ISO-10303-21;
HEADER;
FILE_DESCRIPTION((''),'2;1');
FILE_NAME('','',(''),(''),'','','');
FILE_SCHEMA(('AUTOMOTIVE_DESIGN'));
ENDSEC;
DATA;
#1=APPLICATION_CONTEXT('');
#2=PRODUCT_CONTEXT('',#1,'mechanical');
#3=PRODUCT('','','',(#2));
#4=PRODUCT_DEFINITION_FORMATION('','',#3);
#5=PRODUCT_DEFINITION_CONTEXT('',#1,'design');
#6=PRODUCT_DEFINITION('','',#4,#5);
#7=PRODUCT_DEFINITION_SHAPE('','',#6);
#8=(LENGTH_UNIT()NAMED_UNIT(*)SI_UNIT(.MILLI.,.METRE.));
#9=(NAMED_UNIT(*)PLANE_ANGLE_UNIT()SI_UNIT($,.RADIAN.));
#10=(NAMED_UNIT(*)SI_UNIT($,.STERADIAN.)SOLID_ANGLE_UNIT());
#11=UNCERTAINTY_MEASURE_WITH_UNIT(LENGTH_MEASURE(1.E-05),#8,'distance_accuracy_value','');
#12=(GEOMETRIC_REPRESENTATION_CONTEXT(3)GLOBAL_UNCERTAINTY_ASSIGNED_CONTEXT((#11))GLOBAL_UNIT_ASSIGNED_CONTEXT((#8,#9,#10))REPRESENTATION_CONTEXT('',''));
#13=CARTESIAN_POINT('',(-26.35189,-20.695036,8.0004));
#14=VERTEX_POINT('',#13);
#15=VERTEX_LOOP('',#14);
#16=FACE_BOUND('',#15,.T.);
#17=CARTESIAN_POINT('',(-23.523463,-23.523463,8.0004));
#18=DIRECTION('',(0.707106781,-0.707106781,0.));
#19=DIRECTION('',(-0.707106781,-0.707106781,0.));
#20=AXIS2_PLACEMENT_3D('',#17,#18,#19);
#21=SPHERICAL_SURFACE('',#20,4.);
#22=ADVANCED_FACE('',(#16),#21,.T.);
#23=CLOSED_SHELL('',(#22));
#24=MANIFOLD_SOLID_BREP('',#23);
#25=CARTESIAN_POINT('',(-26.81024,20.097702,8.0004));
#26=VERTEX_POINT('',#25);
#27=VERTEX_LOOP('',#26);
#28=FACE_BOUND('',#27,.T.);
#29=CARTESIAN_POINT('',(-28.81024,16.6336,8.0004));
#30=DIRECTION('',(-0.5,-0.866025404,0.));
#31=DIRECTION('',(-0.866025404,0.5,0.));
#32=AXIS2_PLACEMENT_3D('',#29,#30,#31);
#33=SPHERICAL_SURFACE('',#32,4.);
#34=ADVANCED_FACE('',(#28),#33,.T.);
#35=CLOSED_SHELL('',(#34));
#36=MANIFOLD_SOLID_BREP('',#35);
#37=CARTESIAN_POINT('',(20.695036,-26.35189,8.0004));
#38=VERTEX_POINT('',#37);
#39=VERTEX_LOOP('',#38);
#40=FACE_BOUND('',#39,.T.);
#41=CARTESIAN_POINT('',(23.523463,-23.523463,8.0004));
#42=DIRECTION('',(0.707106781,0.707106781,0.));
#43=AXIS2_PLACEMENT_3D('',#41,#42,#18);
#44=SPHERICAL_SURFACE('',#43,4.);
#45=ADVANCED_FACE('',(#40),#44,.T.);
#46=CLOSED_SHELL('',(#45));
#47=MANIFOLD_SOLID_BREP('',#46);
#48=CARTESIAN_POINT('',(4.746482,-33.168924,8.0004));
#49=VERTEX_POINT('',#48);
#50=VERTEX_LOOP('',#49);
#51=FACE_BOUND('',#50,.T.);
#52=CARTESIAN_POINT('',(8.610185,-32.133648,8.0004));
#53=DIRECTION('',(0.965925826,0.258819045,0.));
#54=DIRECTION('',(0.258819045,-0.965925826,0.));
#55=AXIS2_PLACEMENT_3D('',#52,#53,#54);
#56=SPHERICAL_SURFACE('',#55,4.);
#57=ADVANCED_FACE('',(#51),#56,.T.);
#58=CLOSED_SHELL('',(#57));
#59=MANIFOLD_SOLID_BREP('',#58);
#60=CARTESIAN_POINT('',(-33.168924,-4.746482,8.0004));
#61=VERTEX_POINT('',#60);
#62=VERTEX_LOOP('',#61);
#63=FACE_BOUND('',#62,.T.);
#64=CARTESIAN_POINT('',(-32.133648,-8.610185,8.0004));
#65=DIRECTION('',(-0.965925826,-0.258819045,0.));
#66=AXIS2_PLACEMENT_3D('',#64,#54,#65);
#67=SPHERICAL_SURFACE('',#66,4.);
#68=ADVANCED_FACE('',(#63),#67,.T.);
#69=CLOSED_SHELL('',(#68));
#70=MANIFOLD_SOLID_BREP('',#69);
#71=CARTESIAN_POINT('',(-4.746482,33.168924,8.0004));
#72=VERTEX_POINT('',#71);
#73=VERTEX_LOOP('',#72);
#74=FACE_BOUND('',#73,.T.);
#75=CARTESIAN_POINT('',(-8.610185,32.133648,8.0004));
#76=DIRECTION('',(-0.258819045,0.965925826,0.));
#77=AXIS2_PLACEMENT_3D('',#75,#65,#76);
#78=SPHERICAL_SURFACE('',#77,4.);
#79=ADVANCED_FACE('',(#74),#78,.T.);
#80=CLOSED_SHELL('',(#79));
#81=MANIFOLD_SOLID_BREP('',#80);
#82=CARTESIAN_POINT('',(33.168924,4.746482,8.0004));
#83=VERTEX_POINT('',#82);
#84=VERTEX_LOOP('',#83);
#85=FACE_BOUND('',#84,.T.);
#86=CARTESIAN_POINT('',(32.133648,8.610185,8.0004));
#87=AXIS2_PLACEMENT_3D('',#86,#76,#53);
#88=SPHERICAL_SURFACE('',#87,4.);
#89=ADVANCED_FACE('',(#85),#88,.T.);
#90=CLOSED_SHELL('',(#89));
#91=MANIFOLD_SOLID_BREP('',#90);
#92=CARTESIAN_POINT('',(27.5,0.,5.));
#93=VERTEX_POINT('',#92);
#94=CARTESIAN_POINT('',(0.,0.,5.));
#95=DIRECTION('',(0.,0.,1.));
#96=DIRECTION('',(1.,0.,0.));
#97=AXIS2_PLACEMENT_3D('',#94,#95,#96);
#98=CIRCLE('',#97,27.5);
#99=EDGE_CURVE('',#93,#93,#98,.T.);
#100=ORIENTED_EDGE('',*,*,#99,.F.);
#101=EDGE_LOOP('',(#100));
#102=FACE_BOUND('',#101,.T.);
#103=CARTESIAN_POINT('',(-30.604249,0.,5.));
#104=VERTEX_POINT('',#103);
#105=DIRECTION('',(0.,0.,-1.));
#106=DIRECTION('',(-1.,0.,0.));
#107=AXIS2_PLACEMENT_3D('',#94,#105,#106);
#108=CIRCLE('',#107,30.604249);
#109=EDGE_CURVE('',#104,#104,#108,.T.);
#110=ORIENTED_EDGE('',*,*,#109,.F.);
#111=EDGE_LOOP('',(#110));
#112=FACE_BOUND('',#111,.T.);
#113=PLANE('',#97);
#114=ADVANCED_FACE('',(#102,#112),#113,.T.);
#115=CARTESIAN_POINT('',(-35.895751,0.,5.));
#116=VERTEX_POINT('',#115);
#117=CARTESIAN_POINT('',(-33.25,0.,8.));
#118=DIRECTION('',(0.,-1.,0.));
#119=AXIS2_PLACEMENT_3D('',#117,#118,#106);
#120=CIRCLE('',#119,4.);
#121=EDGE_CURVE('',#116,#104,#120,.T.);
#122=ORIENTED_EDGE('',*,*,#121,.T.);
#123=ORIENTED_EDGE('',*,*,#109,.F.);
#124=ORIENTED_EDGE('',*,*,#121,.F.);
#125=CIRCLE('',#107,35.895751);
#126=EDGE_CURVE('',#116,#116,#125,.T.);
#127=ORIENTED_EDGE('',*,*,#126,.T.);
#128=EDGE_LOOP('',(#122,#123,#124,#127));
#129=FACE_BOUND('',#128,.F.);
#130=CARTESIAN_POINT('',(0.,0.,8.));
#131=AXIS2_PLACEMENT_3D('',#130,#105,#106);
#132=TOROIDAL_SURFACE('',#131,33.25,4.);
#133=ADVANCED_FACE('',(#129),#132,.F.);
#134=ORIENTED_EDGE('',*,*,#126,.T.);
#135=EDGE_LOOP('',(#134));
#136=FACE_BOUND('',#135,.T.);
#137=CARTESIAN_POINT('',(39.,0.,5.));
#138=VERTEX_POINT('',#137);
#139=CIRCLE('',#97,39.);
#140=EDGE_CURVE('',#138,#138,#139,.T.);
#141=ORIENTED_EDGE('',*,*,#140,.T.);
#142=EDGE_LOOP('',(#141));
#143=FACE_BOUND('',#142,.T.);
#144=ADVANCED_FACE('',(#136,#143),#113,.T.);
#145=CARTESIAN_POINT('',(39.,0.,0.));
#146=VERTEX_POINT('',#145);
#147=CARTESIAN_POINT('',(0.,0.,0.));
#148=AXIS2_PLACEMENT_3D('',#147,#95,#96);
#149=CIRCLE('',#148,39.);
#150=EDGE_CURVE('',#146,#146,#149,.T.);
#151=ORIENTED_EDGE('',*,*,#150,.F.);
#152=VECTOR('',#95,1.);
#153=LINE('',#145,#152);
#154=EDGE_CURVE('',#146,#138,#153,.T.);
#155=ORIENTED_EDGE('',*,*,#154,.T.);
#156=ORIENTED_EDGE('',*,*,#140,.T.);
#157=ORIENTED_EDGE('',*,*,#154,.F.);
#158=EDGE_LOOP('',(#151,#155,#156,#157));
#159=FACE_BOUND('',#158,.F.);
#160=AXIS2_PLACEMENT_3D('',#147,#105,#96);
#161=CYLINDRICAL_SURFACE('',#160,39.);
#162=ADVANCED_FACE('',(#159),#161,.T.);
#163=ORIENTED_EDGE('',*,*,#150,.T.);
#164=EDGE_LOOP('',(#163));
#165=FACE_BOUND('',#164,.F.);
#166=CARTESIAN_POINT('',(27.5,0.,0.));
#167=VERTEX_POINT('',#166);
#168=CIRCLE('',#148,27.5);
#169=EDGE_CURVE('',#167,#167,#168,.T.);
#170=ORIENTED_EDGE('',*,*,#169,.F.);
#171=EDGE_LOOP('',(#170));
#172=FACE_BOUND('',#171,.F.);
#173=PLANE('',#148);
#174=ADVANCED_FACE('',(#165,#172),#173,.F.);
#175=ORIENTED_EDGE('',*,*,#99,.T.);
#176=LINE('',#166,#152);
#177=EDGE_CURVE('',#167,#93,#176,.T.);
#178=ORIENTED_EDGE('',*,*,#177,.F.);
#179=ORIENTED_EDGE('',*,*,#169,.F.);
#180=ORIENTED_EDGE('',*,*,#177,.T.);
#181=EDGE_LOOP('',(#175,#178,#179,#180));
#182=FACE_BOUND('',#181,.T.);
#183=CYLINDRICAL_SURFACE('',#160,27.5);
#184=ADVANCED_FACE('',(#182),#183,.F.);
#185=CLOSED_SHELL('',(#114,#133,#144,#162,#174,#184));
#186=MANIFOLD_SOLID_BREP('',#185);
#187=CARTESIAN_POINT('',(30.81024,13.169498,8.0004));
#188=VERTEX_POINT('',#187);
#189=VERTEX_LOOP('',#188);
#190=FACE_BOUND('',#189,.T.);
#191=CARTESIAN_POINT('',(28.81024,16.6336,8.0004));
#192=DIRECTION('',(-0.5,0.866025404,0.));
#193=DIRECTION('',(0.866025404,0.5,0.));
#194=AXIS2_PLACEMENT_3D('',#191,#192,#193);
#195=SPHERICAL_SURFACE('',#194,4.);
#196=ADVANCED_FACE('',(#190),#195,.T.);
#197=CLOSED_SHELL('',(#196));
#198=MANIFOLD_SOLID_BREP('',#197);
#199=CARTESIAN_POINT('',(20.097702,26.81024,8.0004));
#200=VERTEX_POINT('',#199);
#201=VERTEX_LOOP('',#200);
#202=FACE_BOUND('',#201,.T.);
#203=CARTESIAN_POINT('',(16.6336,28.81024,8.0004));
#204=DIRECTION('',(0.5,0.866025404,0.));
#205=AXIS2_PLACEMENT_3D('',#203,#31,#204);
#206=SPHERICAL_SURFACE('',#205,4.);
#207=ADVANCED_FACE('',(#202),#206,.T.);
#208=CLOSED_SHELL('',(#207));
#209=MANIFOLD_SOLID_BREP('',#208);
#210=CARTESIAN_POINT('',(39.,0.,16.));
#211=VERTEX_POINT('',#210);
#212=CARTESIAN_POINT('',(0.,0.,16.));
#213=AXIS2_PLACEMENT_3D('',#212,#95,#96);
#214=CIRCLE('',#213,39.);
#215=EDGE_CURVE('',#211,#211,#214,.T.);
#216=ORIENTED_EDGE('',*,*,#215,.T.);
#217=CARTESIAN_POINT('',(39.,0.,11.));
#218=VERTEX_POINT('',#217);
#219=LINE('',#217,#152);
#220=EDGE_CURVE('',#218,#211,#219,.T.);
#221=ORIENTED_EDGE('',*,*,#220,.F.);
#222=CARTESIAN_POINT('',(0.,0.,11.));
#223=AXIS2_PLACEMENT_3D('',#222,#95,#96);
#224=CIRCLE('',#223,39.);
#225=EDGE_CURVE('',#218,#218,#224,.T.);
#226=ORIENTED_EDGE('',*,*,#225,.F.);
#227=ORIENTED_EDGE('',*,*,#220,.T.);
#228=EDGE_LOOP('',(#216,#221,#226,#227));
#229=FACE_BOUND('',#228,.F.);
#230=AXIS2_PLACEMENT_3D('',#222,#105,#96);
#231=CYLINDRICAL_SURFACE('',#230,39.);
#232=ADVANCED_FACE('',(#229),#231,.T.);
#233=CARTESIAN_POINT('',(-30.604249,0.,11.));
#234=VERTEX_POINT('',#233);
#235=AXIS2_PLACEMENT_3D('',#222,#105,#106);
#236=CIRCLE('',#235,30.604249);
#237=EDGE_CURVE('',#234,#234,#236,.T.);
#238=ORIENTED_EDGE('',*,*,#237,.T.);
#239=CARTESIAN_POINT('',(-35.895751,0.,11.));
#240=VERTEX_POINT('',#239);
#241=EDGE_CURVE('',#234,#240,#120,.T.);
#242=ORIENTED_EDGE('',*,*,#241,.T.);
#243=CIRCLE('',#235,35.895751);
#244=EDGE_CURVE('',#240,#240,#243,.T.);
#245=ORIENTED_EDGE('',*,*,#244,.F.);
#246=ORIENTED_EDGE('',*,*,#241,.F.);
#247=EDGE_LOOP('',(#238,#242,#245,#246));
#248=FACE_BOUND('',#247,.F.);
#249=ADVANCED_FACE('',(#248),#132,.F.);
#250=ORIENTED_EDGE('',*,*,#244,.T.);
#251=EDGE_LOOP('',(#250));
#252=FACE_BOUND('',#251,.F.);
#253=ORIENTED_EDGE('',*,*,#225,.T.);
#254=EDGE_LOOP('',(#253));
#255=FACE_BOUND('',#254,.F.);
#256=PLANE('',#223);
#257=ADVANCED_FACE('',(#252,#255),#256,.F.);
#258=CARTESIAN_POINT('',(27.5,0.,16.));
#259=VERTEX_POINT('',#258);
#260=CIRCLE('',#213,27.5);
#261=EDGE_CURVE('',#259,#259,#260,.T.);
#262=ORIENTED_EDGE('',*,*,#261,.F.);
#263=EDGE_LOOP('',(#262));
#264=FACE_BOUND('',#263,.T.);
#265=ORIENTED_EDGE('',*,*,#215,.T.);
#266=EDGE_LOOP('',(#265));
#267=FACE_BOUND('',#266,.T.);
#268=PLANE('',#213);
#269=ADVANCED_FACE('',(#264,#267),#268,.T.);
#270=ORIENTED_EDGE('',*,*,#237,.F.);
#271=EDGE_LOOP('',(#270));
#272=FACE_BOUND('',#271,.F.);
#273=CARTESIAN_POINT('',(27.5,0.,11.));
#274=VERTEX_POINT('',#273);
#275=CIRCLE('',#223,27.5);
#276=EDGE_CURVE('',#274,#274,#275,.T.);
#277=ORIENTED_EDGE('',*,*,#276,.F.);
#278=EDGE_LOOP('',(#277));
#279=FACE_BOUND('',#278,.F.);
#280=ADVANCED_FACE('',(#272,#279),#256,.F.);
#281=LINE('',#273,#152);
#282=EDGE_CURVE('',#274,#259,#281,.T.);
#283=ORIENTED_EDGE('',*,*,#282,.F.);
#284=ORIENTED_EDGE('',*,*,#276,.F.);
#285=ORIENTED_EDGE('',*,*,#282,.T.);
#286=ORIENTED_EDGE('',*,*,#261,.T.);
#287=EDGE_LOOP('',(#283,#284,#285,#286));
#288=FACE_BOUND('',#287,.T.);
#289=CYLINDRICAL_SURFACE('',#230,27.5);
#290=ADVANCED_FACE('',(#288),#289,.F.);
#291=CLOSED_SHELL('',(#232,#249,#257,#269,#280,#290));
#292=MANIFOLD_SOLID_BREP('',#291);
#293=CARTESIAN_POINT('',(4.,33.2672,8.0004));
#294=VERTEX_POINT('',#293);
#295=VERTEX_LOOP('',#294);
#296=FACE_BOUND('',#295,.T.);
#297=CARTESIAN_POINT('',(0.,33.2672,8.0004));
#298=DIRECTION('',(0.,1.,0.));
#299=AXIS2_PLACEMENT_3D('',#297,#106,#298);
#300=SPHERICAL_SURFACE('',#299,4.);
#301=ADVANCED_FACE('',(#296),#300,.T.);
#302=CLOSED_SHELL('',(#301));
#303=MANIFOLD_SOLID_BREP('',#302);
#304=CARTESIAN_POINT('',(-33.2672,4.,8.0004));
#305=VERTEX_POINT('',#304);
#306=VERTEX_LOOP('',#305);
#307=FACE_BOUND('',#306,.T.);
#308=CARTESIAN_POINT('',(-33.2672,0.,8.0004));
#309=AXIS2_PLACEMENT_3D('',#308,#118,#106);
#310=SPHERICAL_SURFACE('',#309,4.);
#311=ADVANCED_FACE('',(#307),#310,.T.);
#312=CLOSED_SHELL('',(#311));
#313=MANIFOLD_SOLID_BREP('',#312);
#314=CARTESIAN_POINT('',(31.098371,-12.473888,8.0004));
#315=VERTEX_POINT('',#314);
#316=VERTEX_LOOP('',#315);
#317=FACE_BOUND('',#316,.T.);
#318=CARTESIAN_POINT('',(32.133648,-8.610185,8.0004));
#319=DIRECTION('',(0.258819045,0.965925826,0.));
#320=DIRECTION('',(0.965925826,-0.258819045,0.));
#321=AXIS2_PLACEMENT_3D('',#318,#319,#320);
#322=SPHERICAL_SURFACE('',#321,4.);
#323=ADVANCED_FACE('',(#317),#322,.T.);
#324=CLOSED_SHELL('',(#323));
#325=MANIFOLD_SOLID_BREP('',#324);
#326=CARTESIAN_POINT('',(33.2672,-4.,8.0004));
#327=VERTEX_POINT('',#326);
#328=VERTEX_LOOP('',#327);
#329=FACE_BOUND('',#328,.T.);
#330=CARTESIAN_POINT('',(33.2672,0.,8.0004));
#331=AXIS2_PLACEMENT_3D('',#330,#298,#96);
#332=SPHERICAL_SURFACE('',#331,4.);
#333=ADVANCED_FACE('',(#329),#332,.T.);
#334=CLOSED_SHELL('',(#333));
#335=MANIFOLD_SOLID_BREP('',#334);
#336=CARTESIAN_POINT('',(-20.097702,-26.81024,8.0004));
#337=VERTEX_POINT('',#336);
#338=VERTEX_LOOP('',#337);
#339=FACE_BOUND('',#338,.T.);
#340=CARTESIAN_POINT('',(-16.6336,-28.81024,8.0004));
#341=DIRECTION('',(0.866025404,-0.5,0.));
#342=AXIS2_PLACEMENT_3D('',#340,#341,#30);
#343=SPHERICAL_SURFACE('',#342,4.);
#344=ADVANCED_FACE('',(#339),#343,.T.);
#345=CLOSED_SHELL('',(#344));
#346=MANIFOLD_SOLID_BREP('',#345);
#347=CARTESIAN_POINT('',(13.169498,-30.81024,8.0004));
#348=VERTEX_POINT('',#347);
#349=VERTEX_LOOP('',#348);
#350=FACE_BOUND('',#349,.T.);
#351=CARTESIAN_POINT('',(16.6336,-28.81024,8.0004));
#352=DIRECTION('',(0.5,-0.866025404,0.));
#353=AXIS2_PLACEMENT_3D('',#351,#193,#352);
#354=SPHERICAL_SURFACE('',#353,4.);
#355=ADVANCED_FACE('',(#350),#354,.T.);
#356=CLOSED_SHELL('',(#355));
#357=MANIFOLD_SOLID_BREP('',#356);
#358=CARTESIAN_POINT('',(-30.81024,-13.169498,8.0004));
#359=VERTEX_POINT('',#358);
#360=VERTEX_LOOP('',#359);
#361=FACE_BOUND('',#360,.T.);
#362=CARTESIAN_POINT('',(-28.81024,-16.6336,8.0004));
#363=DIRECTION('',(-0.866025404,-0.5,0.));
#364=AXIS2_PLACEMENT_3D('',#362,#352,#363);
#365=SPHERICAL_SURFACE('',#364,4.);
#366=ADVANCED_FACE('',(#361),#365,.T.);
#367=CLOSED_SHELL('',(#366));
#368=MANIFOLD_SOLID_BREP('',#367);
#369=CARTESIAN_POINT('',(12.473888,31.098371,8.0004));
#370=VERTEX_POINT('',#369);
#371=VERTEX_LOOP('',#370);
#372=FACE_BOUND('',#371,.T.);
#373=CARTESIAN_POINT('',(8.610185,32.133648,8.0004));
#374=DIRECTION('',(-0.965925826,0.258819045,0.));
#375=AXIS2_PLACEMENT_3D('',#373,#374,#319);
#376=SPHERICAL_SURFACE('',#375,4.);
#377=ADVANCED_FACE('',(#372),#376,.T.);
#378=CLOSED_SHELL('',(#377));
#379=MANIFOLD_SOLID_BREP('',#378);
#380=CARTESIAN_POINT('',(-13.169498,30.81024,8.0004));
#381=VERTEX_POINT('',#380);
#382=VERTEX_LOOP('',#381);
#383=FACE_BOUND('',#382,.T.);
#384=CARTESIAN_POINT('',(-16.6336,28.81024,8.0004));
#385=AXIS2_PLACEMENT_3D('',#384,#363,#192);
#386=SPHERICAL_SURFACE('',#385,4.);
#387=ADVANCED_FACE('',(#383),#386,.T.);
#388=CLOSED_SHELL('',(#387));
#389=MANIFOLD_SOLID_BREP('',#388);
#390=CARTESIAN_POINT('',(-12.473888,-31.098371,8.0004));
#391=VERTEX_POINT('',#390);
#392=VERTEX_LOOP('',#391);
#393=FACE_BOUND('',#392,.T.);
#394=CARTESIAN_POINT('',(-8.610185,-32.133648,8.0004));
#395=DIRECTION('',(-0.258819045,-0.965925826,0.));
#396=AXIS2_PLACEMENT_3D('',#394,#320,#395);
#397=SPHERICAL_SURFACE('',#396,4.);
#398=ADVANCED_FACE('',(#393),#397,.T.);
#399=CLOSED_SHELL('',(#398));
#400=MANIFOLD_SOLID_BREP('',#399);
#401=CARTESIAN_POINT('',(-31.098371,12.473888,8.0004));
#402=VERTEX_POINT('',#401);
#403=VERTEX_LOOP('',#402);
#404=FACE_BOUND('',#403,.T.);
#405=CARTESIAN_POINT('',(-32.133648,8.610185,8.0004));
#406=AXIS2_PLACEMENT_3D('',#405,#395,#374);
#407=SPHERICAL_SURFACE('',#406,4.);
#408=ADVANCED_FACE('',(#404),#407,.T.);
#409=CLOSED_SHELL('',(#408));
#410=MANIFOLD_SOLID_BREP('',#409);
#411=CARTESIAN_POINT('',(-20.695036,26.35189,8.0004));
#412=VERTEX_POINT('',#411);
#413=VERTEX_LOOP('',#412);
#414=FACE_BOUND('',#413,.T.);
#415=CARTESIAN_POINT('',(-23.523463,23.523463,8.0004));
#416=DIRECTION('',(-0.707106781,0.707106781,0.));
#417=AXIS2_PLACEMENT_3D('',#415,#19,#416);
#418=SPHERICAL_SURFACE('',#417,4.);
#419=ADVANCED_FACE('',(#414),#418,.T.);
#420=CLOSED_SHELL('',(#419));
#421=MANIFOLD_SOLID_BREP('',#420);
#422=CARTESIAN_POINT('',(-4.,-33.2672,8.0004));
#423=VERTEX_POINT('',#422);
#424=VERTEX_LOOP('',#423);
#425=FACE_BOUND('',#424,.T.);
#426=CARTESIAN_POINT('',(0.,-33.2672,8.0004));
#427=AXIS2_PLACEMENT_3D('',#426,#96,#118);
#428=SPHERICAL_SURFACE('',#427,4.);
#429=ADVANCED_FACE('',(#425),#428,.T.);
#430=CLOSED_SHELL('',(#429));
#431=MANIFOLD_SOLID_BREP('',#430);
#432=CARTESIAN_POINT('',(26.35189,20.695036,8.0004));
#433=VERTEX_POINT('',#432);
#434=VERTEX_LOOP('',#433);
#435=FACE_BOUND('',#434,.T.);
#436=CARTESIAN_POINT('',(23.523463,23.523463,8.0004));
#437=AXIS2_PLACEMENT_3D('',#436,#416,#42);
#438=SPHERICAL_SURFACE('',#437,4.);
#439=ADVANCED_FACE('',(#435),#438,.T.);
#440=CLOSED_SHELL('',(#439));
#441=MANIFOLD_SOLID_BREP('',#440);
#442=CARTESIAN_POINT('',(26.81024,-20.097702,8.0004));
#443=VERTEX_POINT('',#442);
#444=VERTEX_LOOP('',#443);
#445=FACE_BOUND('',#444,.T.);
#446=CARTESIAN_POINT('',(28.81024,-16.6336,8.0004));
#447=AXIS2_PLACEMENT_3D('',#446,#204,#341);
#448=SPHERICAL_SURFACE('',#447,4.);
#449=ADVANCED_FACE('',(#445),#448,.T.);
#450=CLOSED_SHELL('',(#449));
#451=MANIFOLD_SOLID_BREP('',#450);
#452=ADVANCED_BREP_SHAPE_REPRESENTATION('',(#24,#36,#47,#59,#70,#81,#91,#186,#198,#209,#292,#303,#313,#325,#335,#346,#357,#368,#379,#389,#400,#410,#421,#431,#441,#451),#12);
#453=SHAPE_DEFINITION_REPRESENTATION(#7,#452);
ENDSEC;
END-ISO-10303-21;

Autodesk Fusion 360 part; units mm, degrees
sketch "Sketch1" plane through (0, 0, 0) normal (0, 0, 1) x (1, 0, 0)
  circle A0 centre (0, 0) radius 39
  circle A1 centre (0, 0) radius 27.5
  dimension "d1" = 78
  dimension "d2" = 55
extrude "Extrude1" add sketch "Sketch1" along normal blind 5 makes body 1
ref_plane "WorkPlane1" through (0, 0, 11) normal (0, 0, 1) x (1, 0, 0)
sketch "Sketch2" plane through (0, 0, 11) normal (0, 0, 1) x (1, 0, 0)
  circle A0 centre (0, 0) radius 27.5
  circle A1 centre (0, 0) radius 39
extrude "Extrude2" add sketch "Sketch2" along normal blind 5 separate body makes body 2
ref_plane "WorkPlane2" through (0, -39, 14.7739) normal (0, -1, 0) x (-1, 0, 0)
ref_plane "WorkPlane3" through (0, 0, 14.7739) normal (0, -1, 0) x (-1, 0, 0)
sketch "Sketch3" plane through (0, 0, 0) normal (0, -1, 0) x (-1, 0, 0)
  line L0 (-39, -11) -> (39, -11)
  line L1 (-39, -5) -> (39, -5)
  line L2 (27.5, -5) -> (-27.5, -5) construction
  line L3 (27.5, -11) -> (-27.5, -11) construction
  line L4 (27.5, -11) -> (39, -5) construction
  circle A0 centre (33.25, -8) radius 4
  line L5 (0, -11) -> (0, -5) construction
  dimension "d10" = 8
revolve "Revolve1" cut sketch "Sketch3" angle 360 about axis through (0, 0, 11) along (0, 0, -1) bodies 1 2
sphere "SpherePrimitive1" add diameter 8 placed x (-1, 0, 0) y (0, 0, -1) z (0, -1, 0) at (-33.2672, 0, 8.0004) separate body makes body 3
pattern_circular "C-Pattern1" count 24 over 360 about axis through (0, 0, 11) along (0, 0, -1) of bodies 3 makes body 4 at (-35.5765, 10.4139, 8.9459) makes body 5 at (-31.6689, 19.2669, 8.9459) makes body 6 at (-25.6032, 26.8069, 8.9459) makes body 7 at (-17.7927, 32.5201, 8.9459) makes body 8 at (-8.7696, 36.0171, 7.0548) makes body 9 at (0.8511, 37.0595, 7.0548) makes body 10 at (10.4139, 35.5765, 8.9459) makes body 11 at (19.2669, 31.6689, 8.9459) makes body 12 at (26.8069, 25.6032, 8.9459) makes body 13 at (32.5201, 17.7927, 7.0548) makes body 14 at (36.0171, 8.7696, 7.0548) makes body 15 at (37.0595, -0.8511, 7.0548) makes body 16 at (35.5765, -10.4139, 7.0548) makes body 17 at (31.6689, -19.2669, 7.0548) makes body 18 at (25.6032, -26.8069, 8.9459) makes body 19 at (17.7927, -32.5201, 7.0548) makes body 20 at (8.7696, -36.0171, 7.0548) makes body 21 at (-0.8511, -37.0595, 7.0548) makes body 22 at (-10.4139, -35.5765, 7.0548) makes body 23 at (-19.2669, -31.6689, 7.0548) makes body 24 at (-26.8069, -25.6032, 8.9459) makes body 25 at (-32.5201, -17.7927, 7.0548) makes body 26 at (-36.0171, -8.7696, 7.0548)
equation "d9 = ( -78 / 2 ) * 1 mm"
